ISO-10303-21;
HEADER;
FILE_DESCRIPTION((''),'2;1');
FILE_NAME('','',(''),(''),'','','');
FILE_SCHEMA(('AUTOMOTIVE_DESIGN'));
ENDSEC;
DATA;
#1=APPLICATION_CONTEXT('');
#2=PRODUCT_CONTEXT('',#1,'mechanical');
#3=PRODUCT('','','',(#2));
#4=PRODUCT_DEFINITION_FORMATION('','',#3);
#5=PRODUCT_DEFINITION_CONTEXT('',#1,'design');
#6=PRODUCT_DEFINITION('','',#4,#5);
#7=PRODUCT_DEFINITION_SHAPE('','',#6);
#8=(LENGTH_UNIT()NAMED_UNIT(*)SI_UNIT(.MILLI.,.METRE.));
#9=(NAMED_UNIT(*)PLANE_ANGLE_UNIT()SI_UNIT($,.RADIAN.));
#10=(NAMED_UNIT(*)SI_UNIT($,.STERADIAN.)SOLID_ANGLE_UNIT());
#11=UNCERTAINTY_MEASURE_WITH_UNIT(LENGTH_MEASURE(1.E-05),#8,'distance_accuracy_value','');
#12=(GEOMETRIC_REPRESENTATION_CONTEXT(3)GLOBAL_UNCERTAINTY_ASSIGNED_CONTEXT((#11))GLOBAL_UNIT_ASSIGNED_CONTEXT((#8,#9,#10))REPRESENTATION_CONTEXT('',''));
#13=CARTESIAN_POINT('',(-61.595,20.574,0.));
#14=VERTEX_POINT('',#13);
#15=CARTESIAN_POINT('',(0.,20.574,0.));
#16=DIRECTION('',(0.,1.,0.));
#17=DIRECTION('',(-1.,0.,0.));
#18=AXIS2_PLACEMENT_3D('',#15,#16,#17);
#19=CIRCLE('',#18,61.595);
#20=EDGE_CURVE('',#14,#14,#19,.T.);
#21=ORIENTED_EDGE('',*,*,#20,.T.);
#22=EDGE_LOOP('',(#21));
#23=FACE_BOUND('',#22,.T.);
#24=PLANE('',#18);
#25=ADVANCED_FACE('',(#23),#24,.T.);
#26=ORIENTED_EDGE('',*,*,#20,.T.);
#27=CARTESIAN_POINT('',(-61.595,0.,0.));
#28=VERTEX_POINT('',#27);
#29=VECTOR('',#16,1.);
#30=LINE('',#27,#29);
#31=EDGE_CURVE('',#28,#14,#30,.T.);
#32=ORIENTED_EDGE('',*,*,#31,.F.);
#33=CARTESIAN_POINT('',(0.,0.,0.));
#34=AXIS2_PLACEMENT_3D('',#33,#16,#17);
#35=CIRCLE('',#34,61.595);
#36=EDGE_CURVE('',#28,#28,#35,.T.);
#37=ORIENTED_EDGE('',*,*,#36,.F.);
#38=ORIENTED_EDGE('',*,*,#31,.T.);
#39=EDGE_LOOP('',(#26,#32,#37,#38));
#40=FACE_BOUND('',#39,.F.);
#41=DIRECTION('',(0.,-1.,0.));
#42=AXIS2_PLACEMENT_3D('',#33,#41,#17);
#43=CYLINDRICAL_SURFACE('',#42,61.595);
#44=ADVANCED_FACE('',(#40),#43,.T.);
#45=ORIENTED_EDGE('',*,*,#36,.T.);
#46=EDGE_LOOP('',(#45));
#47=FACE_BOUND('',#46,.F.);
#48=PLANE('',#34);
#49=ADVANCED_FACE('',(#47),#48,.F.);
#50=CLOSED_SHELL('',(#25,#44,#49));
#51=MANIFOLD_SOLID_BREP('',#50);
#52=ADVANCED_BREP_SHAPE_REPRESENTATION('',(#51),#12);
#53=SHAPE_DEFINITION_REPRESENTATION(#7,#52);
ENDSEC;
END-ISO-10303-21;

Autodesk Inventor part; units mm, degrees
ref_plane "YZ Plane" through (0, 0, 0) normal (1, 0, 0) x (0, 1, 0)
ref_plane "XZ Plane" through (0, 0, 0) normal (0, 1, 0) x (-1, 0, 0)
ref_plane "XY Plane" through (0, 0, 0) normal (0, 0, 1) x (1, 0, 0)
sketch "Sketch1" plane through (0, 0, 0) normal (0, 1, 0) x (-1, 0, 0)
  circle A0 centre (0, 0) radius 61.595
  dimension "d0" = 123.19
extrude "Extrusion1" add sketch "Sketch1" along normal blind 20.574
properties part number "Wheels"
